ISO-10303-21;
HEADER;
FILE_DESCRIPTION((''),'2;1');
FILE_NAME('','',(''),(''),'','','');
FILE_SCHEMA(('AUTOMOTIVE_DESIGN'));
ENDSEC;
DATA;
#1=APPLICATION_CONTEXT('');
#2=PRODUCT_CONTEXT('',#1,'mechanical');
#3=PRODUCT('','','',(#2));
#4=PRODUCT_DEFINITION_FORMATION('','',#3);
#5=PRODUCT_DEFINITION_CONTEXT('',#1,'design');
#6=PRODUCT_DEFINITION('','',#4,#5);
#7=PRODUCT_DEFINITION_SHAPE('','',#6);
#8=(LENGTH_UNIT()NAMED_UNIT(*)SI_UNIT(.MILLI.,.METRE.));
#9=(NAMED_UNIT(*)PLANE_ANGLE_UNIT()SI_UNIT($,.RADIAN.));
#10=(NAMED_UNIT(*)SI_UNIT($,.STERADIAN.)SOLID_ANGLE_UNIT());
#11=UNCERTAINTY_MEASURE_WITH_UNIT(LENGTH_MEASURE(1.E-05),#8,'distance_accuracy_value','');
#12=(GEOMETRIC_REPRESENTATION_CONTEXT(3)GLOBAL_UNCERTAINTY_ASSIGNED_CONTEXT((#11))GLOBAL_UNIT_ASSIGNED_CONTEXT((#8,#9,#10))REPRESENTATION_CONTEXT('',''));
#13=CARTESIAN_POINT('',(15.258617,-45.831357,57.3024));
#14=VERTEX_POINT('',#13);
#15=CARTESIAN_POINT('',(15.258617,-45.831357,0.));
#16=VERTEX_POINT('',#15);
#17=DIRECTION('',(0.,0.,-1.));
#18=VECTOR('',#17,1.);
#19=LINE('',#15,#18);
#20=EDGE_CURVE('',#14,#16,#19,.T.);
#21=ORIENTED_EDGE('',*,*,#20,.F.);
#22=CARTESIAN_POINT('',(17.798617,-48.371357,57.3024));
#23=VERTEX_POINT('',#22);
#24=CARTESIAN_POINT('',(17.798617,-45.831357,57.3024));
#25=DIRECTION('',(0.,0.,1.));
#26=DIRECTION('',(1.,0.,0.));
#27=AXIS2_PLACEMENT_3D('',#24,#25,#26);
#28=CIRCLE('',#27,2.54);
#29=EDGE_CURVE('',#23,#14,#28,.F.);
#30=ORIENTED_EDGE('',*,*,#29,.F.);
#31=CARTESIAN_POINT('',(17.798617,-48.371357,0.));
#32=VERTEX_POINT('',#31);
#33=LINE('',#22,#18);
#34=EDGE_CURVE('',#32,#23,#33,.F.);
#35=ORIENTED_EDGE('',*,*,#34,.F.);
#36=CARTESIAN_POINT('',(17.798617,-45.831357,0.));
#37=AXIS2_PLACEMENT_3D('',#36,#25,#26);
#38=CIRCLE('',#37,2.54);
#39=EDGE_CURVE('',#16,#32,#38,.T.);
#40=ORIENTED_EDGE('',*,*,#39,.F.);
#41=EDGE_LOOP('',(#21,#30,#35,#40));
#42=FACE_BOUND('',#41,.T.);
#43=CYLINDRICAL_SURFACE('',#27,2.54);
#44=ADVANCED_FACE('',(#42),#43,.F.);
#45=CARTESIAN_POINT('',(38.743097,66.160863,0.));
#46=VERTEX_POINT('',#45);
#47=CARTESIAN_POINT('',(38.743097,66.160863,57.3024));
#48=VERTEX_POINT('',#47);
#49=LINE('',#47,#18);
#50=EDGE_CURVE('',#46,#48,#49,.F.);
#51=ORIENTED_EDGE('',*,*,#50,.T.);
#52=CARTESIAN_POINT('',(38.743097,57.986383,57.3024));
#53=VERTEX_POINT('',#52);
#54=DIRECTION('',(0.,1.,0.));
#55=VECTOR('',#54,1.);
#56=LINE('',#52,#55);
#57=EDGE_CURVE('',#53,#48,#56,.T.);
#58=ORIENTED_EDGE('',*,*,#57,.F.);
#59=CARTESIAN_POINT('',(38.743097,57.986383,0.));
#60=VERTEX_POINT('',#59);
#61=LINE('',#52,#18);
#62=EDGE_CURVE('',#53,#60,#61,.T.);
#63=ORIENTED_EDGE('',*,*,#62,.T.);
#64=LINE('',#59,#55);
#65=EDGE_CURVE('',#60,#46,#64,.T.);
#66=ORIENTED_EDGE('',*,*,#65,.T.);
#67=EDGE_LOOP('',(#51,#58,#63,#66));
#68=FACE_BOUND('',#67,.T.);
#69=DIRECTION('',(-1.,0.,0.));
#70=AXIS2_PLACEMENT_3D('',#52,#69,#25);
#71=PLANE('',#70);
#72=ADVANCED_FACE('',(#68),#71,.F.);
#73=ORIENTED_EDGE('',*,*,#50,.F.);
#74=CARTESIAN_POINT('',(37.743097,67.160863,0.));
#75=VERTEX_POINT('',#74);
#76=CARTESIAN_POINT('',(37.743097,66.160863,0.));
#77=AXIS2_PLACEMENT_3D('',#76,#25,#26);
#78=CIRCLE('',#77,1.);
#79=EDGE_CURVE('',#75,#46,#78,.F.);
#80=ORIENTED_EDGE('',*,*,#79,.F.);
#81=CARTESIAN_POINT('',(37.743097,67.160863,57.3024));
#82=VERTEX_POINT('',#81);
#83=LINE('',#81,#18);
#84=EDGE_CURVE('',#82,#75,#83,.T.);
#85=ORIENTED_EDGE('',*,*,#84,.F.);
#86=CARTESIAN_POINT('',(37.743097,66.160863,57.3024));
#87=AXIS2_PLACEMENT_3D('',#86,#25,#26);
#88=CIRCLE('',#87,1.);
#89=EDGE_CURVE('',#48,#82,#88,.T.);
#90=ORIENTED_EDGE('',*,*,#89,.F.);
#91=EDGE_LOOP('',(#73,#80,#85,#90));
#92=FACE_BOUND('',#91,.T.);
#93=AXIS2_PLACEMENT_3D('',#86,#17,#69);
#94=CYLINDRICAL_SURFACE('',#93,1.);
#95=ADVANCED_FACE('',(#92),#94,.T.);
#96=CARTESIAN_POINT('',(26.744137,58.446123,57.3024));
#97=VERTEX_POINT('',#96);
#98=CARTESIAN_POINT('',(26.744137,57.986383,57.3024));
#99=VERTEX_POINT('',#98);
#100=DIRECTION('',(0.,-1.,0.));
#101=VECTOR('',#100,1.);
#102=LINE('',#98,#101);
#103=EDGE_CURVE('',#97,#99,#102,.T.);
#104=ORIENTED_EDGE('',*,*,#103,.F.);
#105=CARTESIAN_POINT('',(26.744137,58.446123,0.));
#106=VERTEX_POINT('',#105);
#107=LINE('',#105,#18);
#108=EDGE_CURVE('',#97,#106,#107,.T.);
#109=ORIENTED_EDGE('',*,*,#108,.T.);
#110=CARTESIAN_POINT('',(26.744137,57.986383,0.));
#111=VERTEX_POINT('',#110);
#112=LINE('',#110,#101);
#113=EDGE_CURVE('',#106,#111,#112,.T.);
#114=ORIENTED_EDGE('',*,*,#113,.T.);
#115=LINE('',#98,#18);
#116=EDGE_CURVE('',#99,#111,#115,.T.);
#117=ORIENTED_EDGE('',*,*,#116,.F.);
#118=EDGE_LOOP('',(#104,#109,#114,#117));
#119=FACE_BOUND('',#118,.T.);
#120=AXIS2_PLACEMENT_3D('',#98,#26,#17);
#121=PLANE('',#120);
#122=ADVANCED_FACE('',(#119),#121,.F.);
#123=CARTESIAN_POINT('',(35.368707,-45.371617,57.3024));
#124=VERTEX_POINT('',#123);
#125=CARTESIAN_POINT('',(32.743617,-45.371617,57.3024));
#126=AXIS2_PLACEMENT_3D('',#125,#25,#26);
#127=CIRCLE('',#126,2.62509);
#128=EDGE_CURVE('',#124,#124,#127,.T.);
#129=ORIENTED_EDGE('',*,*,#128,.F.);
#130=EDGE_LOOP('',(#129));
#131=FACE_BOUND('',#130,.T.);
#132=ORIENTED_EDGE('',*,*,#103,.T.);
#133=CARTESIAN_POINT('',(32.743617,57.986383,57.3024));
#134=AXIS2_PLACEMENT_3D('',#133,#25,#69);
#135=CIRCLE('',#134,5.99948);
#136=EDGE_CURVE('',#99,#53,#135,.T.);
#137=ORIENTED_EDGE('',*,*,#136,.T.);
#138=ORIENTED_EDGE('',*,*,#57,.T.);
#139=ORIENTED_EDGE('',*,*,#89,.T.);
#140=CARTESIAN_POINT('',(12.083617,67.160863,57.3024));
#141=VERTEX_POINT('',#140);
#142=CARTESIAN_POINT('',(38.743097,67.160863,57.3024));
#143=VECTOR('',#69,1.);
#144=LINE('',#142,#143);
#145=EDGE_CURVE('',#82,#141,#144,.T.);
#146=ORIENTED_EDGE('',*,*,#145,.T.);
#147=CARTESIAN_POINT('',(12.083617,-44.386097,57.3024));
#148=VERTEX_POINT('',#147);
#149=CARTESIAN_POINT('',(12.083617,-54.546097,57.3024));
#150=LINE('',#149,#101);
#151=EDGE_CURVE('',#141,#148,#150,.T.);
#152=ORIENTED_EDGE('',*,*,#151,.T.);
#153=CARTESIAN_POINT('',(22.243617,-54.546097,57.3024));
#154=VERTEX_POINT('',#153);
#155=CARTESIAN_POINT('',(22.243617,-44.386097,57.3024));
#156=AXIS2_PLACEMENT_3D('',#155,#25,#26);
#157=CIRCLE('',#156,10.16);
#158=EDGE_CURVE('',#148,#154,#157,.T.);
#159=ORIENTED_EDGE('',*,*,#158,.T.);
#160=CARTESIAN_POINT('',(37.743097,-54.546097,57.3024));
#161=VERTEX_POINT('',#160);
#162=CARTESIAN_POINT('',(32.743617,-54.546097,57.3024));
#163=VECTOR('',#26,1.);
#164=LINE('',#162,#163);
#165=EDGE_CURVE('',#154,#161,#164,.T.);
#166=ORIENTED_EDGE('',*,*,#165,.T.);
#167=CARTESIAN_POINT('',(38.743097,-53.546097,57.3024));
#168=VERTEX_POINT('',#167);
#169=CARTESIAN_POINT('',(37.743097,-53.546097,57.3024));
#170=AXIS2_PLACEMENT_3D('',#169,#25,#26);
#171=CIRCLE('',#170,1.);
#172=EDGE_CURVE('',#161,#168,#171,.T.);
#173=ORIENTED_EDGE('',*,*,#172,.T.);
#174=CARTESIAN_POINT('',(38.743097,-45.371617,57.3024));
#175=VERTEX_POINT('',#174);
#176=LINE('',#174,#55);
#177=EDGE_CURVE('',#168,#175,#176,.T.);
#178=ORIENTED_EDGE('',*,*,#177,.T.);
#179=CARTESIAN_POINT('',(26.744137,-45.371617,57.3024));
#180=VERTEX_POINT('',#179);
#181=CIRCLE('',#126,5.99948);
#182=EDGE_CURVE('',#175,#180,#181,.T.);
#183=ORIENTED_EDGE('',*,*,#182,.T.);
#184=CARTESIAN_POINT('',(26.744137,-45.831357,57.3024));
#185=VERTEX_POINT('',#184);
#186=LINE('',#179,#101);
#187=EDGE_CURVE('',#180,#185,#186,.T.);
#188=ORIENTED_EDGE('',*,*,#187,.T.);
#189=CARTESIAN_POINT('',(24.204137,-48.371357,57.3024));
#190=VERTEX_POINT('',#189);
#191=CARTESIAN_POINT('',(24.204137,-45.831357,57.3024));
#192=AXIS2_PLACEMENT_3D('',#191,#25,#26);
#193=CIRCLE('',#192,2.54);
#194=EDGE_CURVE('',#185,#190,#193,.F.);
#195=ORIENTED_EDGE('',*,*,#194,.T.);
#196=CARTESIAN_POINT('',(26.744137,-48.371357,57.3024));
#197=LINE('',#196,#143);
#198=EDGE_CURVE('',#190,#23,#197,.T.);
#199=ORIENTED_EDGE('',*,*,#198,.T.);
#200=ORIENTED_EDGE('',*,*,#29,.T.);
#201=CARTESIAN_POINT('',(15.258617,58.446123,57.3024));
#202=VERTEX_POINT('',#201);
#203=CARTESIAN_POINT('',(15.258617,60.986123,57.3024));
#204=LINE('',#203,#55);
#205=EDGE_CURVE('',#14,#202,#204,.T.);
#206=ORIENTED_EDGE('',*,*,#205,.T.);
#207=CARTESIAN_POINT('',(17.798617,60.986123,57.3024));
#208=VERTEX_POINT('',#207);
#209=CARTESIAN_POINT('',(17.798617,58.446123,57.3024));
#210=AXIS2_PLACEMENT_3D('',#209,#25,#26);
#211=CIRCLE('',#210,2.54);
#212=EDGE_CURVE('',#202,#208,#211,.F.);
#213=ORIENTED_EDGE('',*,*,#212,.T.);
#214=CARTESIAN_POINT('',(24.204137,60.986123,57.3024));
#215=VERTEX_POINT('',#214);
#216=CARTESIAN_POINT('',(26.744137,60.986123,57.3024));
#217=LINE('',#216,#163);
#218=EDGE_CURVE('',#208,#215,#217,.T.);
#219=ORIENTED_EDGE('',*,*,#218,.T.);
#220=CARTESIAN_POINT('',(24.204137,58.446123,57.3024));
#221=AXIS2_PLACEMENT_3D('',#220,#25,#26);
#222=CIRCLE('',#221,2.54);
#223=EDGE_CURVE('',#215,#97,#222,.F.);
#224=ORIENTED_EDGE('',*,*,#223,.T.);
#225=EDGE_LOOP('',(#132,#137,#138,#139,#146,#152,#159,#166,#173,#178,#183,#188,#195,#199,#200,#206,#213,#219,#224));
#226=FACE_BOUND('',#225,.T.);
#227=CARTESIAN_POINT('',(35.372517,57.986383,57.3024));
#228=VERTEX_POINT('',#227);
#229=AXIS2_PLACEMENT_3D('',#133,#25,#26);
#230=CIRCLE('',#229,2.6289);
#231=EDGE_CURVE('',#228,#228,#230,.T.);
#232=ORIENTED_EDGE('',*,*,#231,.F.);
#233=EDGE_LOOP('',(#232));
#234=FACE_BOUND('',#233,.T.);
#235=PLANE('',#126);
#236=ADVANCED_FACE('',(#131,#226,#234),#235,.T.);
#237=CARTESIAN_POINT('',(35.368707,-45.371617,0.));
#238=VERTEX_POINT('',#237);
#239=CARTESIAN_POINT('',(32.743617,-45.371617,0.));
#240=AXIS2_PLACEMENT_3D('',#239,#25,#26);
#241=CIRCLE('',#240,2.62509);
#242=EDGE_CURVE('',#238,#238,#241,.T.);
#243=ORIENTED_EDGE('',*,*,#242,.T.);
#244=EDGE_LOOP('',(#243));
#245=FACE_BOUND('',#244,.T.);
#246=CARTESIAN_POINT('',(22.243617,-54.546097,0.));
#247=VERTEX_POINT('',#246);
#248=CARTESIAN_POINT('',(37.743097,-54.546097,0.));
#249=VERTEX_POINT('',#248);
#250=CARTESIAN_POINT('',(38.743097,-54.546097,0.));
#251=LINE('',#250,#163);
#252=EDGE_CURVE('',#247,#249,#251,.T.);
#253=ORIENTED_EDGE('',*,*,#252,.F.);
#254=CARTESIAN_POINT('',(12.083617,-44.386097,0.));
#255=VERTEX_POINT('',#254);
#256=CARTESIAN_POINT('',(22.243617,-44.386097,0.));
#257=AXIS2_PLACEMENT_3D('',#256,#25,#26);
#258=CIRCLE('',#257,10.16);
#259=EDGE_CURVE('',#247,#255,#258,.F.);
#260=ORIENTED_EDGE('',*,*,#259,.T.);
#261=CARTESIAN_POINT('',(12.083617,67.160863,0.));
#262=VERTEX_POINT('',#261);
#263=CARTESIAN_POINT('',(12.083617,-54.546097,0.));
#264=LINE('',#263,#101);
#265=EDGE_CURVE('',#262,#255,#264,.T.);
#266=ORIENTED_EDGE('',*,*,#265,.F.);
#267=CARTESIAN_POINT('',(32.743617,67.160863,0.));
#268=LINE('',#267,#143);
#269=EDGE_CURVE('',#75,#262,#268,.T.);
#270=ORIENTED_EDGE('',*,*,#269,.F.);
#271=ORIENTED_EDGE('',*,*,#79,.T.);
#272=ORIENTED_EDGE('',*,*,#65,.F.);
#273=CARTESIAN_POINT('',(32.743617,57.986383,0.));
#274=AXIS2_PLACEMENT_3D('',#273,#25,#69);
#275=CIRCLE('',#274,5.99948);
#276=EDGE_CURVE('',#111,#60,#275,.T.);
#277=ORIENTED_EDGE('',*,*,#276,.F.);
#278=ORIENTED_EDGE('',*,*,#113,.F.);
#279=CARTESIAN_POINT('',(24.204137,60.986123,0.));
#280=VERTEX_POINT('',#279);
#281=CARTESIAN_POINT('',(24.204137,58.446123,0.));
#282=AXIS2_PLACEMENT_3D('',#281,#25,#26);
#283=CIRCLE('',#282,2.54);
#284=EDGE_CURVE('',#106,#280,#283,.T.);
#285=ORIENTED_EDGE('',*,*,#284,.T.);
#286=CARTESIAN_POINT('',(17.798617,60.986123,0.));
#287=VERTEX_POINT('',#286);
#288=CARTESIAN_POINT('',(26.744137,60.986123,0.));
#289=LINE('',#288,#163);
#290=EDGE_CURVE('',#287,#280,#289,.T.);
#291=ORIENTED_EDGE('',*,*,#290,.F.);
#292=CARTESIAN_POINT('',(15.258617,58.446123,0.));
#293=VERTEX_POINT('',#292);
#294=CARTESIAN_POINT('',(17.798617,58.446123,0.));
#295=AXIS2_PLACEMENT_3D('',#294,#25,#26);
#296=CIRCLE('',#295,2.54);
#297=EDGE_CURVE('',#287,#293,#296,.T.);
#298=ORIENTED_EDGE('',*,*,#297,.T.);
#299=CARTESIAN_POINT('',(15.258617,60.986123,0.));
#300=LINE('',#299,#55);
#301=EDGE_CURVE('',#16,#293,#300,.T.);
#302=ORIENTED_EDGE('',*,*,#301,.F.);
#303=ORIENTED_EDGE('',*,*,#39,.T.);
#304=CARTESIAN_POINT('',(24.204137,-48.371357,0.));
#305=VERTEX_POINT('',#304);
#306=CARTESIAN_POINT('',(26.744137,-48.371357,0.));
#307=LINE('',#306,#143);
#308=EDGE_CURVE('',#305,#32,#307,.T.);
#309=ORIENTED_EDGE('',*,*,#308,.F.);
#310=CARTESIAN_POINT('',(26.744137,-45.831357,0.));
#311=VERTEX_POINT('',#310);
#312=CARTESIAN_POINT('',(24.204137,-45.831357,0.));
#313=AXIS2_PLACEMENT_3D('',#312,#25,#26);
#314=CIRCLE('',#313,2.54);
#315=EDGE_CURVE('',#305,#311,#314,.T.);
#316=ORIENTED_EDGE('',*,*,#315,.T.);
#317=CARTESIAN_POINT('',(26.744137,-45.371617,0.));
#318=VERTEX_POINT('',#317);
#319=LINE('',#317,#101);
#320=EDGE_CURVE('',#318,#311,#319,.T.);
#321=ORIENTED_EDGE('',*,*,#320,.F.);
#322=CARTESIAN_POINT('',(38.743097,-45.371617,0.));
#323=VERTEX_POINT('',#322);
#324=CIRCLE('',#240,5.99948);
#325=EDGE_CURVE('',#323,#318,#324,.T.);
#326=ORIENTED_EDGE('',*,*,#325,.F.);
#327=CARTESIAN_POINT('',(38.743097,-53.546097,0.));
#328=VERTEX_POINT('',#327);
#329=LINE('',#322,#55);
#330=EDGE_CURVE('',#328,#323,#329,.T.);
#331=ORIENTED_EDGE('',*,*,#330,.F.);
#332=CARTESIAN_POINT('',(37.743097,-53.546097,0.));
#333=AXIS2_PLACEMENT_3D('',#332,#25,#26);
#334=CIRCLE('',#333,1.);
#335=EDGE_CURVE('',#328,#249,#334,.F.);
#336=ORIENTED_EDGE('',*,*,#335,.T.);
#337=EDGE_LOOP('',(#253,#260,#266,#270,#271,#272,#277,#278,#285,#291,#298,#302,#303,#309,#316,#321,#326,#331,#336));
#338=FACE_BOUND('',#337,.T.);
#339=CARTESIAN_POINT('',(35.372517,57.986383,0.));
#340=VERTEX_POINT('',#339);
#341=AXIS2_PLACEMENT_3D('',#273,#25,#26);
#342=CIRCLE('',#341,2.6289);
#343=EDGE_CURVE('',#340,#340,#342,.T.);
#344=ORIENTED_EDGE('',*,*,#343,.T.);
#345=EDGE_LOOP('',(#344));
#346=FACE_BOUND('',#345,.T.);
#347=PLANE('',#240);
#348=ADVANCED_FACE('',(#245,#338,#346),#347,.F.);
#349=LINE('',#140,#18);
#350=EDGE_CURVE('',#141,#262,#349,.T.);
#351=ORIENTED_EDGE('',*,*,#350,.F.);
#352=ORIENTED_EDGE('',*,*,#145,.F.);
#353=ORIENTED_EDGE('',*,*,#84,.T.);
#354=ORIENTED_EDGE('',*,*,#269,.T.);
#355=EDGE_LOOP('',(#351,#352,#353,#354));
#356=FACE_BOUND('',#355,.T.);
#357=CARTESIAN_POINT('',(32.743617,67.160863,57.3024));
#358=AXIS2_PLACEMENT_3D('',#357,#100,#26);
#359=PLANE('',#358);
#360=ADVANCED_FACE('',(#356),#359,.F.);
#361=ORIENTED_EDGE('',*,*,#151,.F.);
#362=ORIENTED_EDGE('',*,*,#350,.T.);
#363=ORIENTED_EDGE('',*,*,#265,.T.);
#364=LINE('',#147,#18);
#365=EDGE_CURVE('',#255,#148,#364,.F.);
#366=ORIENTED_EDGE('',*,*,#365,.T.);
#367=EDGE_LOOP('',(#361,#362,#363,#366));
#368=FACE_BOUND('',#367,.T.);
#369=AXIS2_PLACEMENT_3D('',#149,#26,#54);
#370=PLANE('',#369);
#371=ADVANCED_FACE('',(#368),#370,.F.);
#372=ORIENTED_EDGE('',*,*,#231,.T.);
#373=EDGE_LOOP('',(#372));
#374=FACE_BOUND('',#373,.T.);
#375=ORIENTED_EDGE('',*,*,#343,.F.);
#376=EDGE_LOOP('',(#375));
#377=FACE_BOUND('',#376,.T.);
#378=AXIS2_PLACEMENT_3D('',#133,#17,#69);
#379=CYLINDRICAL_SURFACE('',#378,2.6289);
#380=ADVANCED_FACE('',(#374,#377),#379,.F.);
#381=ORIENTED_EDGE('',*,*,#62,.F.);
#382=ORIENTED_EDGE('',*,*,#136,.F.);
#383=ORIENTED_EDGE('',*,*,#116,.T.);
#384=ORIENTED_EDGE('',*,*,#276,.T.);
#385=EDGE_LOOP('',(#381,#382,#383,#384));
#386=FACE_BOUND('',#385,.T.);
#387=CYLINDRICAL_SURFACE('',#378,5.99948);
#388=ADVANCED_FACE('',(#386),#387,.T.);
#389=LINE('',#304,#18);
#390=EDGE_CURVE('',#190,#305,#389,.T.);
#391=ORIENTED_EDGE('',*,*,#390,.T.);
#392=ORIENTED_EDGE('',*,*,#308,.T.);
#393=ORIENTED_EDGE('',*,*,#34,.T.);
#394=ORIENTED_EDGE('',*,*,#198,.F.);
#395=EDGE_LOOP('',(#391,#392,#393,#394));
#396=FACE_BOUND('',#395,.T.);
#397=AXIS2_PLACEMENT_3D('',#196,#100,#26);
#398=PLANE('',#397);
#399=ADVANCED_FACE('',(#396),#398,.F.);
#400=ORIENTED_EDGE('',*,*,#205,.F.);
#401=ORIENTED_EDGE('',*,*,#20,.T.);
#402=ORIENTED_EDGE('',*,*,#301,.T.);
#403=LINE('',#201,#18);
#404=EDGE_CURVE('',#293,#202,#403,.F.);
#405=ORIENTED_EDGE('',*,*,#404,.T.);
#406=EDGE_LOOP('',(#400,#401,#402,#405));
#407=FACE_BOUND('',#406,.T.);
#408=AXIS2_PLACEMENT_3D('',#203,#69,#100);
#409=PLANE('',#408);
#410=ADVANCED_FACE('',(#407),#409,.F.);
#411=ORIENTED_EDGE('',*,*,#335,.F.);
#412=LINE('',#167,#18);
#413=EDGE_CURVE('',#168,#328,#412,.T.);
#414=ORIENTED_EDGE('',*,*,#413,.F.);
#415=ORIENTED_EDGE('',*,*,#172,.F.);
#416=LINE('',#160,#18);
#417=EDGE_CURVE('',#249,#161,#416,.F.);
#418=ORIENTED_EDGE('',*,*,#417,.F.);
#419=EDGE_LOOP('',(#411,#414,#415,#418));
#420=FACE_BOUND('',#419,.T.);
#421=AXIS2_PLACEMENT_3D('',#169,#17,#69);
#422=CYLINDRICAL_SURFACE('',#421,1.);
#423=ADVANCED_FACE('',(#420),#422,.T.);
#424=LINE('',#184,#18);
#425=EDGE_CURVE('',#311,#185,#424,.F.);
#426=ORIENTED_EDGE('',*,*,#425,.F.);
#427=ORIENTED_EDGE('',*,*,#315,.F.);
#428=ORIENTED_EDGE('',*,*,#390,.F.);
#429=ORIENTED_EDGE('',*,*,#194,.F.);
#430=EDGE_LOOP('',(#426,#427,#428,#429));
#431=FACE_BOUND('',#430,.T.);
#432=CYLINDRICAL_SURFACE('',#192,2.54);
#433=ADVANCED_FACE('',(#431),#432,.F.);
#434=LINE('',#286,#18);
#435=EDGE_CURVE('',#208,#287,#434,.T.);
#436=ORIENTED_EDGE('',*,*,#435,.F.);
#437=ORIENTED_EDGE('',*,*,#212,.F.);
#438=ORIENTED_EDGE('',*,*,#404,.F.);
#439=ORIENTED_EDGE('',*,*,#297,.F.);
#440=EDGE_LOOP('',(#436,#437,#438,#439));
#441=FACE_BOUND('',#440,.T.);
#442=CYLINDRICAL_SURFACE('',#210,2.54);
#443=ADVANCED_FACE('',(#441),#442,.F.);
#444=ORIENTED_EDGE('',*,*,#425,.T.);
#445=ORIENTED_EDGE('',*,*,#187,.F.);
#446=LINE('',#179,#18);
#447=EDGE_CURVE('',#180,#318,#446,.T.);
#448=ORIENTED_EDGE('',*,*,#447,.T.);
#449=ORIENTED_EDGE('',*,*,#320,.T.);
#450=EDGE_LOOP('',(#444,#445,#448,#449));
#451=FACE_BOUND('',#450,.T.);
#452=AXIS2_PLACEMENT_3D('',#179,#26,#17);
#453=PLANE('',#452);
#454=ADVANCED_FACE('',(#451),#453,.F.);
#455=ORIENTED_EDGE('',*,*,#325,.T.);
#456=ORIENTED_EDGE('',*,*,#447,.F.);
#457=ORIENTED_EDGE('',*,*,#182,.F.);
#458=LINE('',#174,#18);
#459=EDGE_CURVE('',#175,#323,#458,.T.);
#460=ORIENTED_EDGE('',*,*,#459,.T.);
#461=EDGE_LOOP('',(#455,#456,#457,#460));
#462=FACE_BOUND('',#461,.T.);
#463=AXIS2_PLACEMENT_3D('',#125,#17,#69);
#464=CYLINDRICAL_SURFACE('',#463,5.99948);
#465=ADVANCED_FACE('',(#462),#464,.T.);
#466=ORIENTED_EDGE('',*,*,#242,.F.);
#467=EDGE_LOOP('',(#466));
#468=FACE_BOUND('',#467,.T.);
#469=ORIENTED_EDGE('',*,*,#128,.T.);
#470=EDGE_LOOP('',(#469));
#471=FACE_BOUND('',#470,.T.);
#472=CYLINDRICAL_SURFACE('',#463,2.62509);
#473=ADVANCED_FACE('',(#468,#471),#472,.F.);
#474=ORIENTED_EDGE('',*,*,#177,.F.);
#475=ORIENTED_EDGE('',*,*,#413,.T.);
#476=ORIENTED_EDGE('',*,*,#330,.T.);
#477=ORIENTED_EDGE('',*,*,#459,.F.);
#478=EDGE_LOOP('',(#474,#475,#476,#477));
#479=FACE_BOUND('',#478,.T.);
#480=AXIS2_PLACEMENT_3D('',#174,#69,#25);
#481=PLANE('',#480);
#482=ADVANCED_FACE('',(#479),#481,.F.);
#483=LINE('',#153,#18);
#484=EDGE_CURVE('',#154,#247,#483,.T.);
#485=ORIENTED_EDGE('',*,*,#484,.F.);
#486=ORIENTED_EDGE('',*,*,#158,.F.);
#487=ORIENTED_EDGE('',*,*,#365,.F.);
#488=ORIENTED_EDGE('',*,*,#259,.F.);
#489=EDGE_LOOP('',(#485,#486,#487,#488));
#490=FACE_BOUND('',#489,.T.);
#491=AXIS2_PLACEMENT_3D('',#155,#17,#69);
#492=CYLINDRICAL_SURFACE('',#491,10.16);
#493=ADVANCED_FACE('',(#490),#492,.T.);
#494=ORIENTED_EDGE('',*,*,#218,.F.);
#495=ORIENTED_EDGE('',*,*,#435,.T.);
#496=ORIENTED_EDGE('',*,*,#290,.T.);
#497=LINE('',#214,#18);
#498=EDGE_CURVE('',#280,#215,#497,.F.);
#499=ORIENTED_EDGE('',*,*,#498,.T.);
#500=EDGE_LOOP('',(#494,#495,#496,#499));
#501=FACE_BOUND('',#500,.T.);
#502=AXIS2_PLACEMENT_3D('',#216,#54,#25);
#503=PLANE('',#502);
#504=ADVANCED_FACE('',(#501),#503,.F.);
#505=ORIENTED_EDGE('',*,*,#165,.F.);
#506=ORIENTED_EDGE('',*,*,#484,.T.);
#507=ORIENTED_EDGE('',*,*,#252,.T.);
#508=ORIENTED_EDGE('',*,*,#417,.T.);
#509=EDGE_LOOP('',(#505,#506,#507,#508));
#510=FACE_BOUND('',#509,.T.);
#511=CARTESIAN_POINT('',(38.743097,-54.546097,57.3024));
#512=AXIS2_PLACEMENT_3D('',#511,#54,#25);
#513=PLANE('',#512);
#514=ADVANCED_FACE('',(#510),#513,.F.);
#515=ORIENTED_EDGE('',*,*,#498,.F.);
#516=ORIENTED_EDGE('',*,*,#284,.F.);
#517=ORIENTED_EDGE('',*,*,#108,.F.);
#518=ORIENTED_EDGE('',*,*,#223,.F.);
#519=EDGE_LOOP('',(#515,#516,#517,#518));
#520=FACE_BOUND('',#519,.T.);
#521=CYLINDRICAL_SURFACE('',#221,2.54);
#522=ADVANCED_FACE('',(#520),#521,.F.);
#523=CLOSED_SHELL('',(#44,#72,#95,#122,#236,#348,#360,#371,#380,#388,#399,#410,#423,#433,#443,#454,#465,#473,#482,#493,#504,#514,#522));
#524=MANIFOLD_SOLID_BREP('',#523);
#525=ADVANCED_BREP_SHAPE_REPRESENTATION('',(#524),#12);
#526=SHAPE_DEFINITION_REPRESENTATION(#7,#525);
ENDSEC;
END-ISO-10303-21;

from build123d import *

# Parameters (mm, degrees)
SKETCH1_R           = 2.62509
SKETCH1_R_2         = 2.6289
BOSS_EXTRUDE1_DEPTH = 57.3024
FILLET1_R           = 2.54
FILLET2_R           = 1
FILLET3_R           = 10.16


with BuildPart() as part:
    # Sketch1 → Boss-Extrude1 (new body)
    with BuildSketch(Plane.XY):
        with BuildLine():
            Line((26.744137004, -45.371617498), (26.744137004, -48.371357498))
            Line((26.744137004, -48.371357498), (15.258617004, -48.371357498))
            Line((15.258617004, -48.371357498), (15.258617004, 60.986122502))
            Line((15.258617004, 60.986122502), (26.744137004, 60.986122502))
            Line((26.744137004, 60.986122502), (26.744137004, 57.986382502))
            ThreePointArc((26.744137004, 57.986382502), (32.743617004, 51.986902502), (38.743097004, 57.986382502))
            Line((38.743097004, 57.986382502), (38.743097004, 67.160862502))
            Line((38.743097004, 67.160862502), (32.743617004, 67.160862502))
            Line((32.743617004, 67.160862502), (12.083617004, 67.160862502))
            Line((12.083617004, 67.160862502), (12.083617004, -54.546097498))
            Line((12.083617004, -54.546097498), (32.743617004, -54.546097498))
            Line((32.743617004, -54.546097498), (38.743097004, -54.546097498))
            Line((38.743097004, -54.546097498), (38.743097004, -45.371617498))
            ThreePointArc((38.743097004, -45.371617498), (32.743617004, -39.372137498), (26.744137004, -45.371617498))
        make_face()
        with Locations((32.743617004, -45.371617498)):
            Circle(SKETCH1_R, mode=Mode.SUBTRACT)
        with Locations((32.743617004, 57.986382502)):
            Circle(SKETCH1_R_2, mode=Mode.SUBTRACT)
    extrude(amount=BOSS_EXTRUDE1_DEPTH)

    # Fillet1
    fillet1_edges = [part.edges().sort_by_distance(p)[0] for p in [
        (26.744137004, 60.986122502, 28.6512),
        (15.258617004, 60.986122502, 28.6512),
        (15.258617004, -48.371357498, 28.6512),
        (26.744137004, -48.371357498, 28.6512),
    ]]
    fillet(fillet1_edges, radius=FILLET1_R)

    # Fillet2
    fillet2_edges = [part.edges().sort_by_distance(p)[0] for p in [
        (38.743097004, -54.546097498, 28.6512),
        (38.743097004, 67.160862502, 28.6512),
    ]]
    fillet(fillet2_edges, radius=FILLET2_R)

    # Fillet3
    fillet3_edges = [part.edges().sort_by_distance(p)[0] for p in [
        (12.083617004, -54.546097498, 28.6512),
    ]]
    fillet(fillet3_edges, radius=FILLET3_R)


solid = part.part
